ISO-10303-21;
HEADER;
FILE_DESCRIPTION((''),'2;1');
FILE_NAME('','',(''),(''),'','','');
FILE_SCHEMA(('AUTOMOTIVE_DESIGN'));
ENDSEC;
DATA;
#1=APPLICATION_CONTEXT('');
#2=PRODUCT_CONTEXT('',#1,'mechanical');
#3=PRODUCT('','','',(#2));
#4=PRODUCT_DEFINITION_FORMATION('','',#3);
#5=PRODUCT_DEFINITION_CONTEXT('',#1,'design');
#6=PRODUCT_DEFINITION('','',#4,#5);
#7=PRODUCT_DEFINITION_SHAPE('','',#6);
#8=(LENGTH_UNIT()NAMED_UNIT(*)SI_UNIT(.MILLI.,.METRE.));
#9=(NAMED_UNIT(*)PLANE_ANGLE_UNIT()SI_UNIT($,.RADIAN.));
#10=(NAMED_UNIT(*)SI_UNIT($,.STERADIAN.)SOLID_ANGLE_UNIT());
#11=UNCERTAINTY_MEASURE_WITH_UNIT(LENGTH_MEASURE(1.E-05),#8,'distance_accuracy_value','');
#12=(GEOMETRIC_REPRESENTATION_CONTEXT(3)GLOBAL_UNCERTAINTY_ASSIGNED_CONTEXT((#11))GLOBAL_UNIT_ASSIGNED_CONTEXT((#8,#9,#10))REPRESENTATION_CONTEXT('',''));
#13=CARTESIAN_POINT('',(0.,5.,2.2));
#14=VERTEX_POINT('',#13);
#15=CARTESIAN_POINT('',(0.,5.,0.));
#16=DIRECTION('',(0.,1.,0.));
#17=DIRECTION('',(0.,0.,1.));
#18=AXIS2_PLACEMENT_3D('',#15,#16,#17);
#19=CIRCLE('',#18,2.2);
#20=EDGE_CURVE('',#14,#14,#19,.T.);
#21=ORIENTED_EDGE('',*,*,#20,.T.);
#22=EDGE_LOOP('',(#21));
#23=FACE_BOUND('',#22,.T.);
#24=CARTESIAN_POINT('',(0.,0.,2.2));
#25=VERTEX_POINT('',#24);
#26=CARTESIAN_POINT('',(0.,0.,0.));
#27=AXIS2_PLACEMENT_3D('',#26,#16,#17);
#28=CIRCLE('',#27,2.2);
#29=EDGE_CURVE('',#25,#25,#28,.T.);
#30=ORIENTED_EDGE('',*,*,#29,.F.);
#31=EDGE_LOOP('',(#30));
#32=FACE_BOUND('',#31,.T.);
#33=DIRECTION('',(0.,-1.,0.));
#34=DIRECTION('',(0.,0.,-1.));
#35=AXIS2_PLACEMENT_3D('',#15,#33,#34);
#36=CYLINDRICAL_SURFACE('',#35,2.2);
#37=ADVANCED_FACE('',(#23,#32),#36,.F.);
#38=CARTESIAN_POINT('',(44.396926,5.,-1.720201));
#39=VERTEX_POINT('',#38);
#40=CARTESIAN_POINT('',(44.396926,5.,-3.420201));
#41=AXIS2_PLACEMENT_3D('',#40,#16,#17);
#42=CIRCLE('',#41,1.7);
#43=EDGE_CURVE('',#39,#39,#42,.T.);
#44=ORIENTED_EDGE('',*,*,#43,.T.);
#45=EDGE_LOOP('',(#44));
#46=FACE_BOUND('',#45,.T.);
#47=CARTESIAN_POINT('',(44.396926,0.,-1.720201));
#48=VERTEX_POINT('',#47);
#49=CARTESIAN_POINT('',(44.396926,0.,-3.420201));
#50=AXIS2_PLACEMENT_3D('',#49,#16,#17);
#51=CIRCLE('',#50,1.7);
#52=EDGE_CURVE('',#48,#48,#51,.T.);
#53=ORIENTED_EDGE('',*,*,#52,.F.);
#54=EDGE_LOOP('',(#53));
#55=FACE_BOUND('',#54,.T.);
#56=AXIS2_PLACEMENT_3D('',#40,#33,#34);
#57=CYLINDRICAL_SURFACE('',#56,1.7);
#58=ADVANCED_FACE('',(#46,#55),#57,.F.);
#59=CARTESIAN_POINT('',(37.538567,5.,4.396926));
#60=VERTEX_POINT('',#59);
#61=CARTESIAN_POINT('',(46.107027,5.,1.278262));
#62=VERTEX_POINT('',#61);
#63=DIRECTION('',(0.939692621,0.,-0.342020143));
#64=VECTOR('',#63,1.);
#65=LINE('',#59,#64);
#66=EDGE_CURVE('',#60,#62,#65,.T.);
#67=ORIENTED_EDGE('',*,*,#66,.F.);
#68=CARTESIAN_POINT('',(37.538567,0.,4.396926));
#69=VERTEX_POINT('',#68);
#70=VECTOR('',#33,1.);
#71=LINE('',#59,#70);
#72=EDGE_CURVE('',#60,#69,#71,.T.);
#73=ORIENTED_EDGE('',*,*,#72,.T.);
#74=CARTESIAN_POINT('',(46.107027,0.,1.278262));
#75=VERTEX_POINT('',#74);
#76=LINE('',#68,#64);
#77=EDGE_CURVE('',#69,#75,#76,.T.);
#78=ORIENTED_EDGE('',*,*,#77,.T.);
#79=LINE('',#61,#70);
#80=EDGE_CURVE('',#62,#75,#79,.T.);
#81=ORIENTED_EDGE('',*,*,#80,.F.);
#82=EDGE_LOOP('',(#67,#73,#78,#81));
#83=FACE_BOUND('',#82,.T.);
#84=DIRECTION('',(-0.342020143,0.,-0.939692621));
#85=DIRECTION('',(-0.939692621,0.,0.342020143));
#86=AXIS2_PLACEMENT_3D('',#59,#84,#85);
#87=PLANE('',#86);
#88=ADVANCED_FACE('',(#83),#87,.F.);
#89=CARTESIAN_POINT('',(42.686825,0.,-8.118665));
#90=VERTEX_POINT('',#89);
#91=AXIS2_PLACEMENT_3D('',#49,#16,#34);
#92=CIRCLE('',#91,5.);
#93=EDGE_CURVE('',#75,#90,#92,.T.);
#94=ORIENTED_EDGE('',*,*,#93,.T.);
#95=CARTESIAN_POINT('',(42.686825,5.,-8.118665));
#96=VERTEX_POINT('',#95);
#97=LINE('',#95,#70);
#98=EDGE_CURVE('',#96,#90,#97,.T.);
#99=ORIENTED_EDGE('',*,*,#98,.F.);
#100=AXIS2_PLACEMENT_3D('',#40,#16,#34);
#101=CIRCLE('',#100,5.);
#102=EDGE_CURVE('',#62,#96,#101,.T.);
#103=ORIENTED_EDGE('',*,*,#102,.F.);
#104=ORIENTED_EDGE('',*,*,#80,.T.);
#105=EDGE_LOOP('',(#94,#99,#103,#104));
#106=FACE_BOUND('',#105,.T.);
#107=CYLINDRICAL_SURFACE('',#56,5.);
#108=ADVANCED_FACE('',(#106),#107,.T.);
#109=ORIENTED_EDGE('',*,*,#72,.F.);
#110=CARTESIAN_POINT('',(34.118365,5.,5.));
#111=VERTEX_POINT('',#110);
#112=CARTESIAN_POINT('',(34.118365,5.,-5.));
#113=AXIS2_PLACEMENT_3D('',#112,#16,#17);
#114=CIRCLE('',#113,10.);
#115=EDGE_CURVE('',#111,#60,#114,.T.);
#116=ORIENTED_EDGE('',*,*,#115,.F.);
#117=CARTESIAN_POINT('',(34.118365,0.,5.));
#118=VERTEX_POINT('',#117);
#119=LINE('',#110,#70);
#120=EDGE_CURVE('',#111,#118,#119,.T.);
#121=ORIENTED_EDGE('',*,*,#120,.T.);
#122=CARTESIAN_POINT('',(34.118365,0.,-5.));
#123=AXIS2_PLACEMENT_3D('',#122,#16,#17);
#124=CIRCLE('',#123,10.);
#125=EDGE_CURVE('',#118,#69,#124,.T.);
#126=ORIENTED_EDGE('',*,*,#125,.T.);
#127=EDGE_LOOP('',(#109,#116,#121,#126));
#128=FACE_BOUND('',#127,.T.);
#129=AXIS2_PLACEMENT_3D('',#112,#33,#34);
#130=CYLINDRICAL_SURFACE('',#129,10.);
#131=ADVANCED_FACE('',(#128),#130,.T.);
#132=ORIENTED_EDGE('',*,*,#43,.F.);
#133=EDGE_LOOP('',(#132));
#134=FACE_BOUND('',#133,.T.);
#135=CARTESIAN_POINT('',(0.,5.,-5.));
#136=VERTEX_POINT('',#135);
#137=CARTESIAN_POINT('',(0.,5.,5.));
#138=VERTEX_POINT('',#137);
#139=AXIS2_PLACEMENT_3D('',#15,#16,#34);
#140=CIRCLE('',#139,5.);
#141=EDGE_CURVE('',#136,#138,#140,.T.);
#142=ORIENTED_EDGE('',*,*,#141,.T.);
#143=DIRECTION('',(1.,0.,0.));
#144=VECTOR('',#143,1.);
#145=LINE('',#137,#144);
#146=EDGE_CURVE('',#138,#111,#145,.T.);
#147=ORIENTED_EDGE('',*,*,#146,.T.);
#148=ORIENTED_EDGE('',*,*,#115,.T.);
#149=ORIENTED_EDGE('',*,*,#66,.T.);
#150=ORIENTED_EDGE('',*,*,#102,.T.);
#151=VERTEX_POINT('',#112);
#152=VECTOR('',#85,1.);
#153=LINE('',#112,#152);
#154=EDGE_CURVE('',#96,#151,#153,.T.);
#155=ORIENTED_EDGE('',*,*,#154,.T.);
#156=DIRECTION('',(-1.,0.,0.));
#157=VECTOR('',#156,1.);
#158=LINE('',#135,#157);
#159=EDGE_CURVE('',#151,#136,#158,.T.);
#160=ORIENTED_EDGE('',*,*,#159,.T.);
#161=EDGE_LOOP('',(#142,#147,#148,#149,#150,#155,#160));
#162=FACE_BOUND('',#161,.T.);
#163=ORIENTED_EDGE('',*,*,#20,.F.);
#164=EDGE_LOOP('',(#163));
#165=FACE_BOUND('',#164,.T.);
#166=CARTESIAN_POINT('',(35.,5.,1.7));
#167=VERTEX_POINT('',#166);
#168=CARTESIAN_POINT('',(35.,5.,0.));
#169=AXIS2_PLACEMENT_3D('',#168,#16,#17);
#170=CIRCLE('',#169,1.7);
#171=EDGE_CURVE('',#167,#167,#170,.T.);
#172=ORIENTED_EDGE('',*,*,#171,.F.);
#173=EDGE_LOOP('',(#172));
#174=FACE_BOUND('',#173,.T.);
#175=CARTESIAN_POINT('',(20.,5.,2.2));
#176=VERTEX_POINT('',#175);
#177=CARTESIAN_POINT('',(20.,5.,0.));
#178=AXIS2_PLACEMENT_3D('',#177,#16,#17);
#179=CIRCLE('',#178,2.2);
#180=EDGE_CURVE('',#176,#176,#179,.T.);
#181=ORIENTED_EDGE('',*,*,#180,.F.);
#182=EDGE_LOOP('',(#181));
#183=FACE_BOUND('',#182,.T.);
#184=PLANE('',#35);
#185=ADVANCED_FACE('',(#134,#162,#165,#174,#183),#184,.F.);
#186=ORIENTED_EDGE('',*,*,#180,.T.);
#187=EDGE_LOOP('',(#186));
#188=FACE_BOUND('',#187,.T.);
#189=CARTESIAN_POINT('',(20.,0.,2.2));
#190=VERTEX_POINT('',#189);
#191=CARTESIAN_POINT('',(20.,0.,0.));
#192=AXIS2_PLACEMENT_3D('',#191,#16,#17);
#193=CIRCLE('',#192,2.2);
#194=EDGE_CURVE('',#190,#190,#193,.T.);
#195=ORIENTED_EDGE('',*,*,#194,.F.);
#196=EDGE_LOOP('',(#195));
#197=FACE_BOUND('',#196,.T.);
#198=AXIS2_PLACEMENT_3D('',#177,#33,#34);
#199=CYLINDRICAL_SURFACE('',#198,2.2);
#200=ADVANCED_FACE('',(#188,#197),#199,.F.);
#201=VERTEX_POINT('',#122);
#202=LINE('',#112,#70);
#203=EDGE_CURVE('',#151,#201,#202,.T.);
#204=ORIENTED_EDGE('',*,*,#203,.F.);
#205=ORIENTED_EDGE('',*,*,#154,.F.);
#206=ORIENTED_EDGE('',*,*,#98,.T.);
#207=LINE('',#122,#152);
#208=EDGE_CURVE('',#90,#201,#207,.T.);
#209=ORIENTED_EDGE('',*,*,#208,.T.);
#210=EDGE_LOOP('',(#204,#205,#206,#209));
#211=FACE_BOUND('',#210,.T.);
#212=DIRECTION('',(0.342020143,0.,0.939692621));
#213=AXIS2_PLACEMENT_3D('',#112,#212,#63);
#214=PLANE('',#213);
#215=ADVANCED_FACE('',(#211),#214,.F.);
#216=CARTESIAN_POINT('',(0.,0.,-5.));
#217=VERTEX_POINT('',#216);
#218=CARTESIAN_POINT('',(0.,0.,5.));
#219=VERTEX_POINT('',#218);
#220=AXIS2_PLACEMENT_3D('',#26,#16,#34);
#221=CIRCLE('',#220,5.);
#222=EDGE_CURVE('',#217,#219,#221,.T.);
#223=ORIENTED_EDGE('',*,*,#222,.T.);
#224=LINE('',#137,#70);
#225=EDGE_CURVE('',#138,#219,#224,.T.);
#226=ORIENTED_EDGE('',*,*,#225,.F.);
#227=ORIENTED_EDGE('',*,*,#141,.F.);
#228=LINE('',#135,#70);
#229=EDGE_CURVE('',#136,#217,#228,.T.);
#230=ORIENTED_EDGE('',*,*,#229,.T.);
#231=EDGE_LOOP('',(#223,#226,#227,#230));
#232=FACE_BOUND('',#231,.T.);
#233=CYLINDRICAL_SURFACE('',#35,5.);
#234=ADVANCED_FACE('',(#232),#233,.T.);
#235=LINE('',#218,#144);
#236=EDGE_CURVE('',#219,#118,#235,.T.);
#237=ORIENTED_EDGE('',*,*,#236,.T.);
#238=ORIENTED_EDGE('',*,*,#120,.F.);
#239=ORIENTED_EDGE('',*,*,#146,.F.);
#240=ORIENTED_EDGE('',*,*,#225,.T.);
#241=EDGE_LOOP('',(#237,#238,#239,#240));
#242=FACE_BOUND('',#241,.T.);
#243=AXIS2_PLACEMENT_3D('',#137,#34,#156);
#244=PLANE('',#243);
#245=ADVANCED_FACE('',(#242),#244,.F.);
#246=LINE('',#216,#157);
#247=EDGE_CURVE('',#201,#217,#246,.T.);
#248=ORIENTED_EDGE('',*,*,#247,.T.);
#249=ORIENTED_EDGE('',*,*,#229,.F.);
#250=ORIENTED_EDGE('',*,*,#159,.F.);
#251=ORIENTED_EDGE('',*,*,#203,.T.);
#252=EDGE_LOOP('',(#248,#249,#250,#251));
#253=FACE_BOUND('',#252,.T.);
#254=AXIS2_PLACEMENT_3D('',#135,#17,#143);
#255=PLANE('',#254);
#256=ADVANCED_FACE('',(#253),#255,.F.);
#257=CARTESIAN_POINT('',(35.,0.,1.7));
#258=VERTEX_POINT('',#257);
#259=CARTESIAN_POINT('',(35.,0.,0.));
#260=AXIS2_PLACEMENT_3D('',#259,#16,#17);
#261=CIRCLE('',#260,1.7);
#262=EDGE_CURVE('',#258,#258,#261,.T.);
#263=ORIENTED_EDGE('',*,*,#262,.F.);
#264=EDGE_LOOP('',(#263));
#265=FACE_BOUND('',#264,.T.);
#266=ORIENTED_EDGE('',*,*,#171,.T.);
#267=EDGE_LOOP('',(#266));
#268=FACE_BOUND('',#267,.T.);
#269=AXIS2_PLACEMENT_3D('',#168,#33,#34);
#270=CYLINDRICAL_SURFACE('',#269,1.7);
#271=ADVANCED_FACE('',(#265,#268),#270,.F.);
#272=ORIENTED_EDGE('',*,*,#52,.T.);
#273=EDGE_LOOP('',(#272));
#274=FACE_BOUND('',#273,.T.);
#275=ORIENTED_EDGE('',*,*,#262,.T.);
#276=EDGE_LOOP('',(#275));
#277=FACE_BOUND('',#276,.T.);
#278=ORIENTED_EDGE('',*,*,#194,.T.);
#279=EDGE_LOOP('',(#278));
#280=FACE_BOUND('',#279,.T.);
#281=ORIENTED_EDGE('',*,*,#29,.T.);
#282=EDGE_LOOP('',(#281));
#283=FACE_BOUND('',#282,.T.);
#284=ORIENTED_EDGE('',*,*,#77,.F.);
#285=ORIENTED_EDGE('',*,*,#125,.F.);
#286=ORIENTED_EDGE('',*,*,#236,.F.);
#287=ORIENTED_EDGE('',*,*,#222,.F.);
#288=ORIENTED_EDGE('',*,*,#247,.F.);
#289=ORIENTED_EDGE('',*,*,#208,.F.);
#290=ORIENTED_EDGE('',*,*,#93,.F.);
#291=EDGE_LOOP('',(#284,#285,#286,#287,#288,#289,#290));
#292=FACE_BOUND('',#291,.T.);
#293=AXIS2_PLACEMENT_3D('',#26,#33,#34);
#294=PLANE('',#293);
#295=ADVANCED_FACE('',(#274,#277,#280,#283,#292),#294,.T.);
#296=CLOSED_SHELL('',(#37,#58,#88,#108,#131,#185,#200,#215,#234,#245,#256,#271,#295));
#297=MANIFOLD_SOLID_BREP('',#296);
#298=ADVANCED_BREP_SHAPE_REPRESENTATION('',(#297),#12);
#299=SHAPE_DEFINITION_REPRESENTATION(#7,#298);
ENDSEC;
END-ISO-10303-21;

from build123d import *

# Parameters (mm, degrees)
SKETCH_1_R      = 2.2
SKETCH_1_R_2    = 1.7
EXTRUDE_1_DEPTH = 5


with BuildPart() as part:
    # 草图1 → 凸台-拉伸1 (new body)
    with BuildSketch(Plane(origin=(0, 0, 0), x_dir=(1, 0, 0), z_dir=(0, 1, 0))):
        with BuildLine():
            Line((0, 5), (34.118365096, 5))
            Line((34.118365096, 5), (42.686825491, 8.118664537))
            ThreePointArc((42.686825491, 8.118664537), (49.095389312, 5.13030215), (46.107026924, -1.278261671))
            Line((46.107026924, -1.278261671), (37.53856653, -4.396926208))
            ThreePointArc((37.53856653, -4.396926208), (35.854846873, -4.84807753), (34.118365096, -5))
            Line((34.118365096, -5), (0, -5))
            ThreePointArc((0, -5), (-5, 0), (0, 5))
        make_face()
        with Locations(Location((0, 0, 0), (0, 0, 270))):
            Circle(SKETCH_1_R, mode=Mode.SUBTRACT)
        with Locations(Location((20, 0, 0), (0, 0, 270))):
            Circle(SKETCH_1_R, mode=Mode.SUBTRACT)
        with Locations(Location((35, 0, 0), (0, 0, 270))):
            Circle(SKETCH_1_R_2, mode=Mode.SUBTRACT)
        with Locations(Location((44.396926208, 3.420201433, 0), (0, 0, 270))):
            Circle(SKETCH_1_R_2, mode=Mode.SUBTRACT)
    extrude(amount=EXTRUDE_1_DEPTH)


solid = part.part
